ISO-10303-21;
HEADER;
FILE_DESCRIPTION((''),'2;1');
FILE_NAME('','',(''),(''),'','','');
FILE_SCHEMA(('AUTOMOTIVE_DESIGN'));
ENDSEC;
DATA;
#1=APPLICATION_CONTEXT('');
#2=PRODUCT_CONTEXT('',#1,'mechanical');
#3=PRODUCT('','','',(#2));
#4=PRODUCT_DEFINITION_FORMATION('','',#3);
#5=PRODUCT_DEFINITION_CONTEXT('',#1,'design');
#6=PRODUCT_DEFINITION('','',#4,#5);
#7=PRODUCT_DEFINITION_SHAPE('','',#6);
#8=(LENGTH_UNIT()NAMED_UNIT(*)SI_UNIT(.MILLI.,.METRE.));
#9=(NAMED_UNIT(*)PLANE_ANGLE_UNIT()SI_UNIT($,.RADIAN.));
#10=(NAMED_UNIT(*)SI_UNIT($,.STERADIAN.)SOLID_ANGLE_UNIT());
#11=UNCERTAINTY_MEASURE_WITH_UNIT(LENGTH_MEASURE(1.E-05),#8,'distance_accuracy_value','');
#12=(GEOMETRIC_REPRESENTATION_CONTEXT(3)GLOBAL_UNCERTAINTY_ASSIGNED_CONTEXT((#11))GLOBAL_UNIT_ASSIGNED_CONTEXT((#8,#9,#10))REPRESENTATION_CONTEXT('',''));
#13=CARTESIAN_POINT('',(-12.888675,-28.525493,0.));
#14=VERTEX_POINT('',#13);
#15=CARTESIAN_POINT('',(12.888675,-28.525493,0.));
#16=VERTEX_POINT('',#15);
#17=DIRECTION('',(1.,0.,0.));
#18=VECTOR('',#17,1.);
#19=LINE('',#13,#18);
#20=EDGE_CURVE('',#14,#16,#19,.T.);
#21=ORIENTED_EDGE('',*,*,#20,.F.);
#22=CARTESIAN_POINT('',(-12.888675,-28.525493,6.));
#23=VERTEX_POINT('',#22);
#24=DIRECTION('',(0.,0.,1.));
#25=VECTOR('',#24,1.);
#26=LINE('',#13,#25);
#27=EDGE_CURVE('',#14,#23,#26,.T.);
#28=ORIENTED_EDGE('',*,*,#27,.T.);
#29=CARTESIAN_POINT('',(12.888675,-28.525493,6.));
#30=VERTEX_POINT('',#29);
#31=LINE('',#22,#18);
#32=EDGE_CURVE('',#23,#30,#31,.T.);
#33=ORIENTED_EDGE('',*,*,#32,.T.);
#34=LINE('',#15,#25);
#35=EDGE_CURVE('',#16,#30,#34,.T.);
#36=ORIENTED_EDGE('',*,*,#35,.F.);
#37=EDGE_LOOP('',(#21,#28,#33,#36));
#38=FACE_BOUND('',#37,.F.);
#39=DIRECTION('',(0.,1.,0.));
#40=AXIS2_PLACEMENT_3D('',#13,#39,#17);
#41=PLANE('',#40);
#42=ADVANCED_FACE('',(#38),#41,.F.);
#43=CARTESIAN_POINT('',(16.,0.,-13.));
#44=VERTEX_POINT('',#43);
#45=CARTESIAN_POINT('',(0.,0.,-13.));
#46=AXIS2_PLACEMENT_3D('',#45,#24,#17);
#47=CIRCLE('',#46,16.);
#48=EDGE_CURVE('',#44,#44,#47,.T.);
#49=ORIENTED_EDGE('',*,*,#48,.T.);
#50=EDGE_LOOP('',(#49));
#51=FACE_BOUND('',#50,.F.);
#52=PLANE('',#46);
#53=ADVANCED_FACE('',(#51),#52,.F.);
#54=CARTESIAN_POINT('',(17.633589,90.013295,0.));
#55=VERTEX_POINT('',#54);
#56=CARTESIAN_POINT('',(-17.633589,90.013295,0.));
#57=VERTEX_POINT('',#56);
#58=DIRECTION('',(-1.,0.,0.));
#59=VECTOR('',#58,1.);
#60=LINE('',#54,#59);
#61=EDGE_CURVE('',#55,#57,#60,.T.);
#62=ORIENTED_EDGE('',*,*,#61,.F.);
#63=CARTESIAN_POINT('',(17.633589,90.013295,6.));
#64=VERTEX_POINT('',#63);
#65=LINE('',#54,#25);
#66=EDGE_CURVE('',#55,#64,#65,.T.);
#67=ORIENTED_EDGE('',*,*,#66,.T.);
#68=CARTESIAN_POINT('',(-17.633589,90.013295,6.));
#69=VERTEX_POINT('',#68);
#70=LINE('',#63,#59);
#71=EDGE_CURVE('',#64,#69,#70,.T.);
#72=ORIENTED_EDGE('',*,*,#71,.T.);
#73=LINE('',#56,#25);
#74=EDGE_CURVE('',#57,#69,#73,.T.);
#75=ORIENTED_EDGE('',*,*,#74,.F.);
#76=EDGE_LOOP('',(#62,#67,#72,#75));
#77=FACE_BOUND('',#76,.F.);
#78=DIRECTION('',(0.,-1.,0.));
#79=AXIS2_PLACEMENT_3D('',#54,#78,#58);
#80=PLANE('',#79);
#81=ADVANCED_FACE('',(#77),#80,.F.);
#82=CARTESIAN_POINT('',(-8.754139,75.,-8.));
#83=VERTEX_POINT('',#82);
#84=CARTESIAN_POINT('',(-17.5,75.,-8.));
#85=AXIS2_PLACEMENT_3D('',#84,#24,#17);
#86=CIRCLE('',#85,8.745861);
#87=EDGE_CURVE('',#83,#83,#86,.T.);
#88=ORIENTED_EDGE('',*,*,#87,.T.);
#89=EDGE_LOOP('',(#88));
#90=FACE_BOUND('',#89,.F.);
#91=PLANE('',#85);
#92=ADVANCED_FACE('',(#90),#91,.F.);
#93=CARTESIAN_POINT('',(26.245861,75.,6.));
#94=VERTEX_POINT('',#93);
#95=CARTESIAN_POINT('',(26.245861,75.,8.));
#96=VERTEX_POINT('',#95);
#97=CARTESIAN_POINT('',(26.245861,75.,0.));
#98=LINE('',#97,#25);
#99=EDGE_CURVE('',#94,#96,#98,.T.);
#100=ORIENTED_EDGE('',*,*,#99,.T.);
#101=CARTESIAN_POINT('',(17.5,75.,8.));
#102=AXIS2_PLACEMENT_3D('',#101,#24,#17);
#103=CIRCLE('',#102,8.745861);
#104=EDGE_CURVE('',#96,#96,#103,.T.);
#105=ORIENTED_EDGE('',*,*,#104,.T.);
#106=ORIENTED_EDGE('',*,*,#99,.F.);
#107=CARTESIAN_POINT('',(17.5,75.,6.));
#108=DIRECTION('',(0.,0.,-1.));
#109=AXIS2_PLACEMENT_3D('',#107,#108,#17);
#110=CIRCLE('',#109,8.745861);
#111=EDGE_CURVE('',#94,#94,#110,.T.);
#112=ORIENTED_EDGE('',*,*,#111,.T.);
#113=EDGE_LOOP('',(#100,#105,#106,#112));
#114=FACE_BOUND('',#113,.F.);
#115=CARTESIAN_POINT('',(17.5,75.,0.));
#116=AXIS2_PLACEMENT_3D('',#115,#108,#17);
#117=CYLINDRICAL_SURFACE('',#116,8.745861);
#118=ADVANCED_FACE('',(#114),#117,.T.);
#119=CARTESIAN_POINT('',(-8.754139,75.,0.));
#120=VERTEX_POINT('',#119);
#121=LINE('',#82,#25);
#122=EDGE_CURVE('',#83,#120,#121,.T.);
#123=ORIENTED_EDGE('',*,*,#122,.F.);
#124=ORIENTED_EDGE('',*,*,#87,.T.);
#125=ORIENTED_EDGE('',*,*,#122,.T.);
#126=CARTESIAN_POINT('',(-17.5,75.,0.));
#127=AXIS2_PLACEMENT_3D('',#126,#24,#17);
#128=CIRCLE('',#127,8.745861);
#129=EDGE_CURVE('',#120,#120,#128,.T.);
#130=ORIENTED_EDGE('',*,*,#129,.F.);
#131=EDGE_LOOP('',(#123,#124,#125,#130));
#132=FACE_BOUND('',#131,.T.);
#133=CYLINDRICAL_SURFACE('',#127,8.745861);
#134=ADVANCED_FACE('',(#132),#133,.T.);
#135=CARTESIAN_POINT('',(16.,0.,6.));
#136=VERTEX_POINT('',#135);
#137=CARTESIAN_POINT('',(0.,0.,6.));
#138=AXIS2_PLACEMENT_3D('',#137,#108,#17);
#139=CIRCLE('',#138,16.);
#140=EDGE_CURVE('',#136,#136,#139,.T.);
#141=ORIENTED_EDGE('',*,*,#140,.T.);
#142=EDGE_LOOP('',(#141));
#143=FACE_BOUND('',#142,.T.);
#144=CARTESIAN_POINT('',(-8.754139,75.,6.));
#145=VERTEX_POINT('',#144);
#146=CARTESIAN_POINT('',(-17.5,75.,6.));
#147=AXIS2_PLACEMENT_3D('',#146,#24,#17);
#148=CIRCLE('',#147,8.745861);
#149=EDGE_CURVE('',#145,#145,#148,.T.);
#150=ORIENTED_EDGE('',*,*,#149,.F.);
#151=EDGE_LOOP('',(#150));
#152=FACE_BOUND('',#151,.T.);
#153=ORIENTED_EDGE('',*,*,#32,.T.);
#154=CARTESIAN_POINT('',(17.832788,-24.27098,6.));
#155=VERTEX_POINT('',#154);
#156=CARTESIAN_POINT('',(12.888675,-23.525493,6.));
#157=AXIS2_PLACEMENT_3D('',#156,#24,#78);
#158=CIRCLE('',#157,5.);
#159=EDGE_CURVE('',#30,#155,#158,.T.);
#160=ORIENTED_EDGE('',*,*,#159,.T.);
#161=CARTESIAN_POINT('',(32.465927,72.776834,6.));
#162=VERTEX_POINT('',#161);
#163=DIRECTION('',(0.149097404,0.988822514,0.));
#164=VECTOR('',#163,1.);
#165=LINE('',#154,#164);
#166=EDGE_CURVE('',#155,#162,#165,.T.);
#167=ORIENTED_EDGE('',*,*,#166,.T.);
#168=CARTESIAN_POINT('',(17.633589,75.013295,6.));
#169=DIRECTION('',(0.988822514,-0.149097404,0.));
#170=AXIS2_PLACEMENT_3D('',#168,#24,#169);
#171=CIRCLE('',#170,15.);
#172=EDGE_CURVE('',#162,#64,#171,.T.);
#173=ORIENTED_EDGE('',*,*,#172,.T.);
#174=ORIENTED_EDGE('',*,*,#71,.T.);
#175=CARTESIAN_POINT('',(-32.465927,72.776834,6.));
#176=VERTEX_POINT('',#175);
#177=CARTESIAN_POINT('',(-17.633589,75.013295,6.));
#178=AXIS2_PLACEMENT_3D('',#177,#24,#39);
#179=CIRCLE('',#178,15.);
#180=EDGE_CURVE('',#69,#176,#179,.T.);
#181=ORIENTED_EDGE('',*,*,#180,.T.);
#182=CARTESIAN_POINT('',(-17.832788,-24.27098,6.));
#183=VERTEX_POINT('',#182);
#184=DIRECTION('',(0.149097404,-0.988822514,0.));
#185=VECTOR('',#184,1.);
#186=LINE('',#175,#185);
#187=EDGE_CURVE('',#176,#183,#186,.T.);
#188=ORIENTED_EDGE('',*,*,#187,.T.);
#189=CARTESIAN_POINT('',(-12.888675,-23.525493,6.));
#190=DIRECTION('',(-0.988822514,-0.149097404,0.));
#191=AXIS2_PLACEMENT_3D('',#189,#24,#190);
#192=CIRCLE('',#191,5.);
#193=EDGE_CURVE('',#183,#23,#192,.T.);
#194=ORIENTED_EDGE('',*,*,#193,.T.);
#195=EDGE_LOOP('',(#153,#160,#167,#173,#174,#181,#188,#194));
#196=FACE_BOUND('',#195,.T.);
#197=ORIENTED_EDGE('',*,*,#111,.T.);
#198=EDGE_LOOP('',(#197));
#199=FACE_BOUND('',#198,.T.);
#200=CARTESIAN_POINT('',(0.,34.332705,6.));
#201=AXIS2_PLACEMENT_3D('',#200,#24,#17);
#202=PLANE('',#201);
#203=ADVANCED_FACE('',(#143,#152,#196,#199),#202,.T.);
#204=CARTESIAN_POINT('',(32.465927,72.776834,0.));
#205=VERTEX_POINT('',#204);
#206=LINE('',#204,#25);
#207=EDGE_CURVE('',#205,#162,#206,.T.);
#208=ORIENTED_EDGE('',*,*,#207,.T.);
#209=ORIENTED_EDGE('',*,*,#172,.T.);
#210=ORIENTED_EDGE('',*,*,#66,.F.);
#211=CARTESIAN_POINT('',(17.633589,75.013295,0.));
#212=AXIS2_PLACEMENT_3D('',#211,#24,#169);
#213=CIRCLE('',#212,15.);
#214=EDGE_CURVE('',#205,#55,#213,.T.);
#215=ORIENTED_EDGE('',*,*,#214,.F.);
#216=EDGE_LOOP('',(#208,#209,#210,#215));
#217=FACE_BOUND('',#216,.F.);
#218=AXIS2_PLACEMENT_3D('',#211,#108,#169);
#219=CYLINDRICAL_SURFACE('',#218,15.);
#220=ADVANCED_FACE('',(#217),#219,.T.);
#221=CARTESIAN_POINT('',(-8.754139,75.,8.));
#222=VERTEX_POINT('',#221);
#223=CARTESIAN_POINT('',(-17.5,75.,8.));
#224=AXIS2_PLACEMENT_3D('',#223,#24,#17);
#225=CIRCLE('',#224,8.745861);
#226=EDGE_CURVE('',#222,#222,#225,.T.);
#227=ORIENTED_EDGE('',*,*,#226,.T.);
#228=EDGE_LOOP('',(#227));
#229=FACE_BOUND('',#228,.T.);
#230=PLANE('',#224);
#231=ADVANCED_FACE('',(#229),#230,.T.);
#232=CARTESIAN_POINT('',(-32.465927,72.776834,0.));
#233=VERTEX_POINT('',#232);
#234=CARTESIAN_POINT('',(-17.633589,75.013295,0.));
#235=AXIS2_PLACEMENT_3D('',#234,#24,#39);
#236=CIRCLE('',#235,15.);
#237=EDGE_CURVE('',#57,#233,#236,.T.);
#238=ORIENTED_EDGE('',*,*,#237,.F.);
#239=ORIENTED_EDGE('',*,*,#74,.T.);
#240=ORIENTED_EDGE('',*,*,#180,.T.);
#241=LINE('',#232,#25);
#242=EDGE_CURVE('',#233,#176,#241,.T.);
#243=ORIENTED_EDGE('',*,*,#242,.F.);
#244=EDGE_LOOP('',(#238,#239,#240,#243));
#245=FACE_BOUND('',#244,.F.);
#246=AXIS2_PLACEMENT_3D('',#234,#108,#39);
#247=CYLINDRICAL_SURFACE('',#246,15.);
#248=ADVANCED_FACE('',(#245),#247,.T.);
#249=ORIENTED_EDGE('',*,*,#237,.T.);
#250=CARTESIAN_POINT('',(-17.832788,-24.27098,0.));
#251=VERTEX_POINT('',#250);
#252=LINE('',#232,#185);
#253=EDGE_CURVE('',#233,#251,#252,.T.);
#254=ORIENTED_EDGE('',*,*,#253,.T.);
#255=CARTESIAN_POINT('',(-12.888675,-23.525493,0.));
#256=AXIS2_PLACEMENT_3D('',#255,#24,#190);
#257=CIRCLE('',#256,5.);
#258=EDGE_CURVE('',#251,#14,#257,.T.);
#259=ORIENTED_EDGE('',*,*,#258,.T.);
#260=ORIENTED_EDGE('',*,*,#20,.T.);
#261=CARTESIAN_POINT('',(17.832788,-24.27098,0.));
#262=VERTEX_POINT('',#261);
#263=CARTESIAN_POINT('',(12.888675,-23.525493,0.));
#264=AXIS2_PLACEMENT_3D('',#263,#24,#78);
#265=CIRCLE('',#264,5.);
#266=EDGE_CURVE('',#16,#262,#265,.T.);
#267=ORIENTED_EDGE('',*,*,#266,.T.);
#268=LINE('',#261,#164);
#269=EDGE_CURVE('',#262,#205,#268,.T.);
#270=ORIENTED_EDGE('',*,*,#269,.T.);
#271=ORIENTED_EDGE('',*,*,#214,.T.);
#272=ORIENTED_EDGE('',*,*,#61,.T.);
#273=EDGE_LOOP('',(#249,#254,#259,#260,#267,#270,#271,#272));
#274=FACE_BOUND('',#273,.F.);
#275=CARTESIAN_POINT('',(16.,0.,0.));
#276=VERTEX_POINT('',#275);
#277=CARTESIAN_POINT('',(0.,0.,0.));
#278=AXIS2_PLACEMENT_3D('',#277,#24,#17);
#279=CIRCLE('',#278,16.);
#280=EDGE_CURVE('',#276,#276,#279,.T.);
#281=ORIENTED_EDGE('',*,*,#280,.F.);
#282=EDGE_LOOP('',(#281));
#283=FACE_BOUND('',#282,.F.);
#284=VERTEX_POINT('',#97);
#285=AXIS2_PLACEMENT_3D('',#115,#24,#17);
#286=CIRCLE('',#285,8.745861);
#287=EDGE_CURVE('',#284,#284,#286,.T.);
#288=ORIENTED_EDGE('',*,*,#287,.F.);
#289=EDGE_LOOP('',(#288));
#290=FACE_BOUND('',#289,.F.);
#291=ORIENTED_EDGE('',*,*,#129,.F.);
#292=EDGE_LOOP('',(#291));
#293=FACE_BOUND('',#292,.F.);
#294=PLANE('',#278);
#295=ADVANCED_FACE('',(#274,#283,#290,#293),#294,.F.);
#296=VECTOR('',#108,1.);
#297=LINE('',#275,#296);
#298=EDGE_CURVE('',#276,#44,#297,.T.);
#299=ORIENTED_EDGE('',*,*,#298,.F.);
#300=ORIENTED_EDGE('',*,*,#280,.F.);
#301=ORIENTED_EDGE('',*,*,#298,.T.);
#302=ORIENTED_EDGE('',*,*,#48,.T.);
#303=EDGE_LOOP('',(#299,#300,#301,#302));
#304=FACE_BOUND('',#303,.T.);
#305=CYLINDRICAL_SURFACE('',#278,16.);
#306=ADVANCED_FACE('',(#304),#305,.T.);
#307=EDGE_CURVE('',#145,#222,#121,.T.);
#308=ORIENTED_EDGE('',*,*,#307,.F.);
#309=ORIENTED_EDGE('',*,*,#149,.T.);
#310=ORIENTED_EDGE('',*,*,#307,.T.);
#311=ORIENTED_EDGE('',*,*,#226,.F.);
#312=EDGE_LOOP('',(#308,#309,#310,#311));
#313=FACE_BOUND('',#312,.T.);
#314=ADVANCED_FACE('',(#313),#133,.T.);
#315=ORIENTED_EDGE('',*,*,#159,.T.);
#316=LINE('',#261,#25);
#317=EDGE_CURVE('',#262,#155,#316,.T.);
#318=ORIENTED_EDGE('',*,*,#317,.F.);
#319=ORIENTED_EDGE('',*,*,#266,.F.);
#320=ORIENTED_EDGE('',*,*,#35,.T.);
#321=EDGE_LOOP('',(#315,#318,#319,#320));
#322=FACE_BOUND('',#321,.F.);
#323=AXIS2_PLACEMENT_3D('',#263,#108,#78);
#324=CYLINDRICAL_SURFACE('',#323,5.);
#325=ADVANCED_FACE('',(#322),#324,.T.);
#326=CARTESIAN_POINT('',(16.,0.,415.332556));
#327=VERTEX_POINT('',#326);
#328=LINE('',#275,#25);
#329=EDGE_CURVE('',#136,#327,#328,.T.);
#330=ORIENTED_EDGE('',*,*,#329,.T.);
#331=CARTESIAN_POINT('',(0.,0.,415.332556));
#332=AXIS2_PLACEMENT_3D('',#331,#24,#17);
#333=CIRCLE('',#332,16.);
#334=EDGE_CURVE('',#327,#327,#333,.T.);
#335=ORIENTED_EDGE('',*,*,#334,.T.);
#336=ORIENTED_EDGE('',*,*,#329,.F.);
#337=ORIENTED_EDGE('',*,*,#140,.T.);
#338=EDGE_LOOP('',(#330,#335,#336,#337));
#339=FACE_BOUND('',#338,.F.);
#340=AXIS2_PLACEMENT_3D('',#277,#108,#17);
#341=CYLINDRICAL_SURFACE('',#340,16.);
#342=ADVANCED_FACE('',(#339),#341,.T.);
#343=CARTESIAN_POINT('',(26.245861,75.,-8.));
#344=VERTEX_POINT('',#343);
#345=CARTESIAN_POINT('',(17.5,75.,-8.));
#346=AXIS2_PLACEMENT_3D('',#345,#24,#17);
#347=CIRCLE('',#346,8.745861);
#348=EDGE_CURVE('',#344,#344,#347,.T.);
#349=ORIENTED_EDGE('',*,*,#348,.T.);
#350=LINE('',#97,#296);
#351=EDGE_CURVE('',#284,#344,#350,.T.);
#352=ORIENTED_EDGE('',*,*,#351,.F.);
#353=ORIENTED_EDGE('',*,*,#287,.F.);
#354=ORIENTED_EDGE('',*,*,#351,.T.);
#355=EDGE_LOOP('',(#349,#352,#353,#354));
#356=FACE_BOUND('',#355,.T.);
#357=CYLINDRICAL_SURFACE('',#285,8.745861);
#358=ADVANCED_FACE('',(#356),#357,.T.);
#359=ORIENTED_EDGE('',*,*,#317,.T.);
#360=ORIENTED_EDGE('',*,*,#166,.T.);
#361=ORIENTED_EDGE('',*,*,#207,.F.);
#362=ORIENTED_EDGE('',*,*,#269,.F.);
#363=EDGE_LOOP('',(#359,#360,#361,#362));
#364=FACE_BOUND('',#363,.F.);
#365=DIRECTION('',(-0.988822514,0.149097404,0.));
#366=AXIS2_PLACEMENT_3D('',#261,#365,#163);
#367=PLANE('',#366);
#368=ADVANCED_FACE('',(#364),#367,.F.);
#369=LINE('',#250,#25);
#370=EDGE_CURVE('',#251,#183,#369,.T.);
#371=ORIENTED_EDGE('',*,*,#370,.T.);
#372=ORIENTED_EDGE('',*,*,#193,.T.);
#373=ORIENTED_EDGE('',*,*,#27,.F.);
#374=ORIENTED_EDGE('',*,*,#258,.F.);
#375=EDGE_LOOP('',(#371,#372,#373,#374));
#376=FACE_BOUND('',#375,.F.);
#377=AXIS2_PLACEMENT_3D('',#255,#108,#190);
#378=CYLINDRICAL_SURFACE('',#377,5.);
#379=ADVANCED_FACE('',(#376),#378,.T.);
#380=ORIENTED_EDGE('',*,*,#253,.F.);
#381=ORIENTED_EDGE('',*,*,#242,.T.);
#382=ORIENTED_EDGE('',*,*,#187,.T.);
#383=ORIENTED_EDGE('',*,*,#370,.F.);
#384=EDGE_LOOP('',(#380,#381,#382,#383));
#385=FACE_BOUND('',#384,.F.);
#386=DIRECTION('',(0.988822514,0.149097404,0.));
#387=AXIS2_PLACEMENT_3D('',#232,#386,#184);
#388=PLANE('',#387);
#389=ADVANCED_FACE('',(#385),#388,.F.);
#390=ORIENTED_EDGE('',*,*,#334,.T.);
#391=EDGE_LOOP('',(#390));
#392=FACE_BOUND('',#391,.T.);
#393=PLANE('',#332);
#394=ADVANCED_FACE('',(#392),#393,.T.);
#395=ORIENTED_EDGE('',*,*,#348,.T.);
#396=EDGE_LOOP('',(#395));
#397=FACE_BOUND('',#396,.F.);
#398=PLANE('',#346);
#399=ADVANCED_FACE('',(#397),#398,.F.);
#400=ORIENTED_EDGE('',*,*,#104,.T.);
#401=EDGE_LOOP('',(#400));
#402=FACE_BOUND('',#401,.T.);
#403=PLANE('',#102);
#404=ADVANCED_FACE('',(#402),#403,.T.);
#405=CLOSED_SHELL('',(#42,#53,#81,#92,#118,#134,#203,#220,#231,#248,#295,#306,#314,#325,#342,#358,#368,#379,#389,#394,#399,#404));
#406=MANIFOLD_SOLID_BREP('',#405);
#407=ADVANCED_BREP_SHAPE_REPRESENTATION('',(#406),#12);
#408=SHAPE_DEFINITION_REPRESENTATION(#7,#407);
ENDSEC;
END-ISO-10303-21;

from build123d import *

# Parameters (mm, degrees)
F2_DEPTH = 6
F0_R     = 16
F3_DEPTH = 415.3325557709
F0_R_2   = 8.745861022
F4_DEPTH = 8
F5_DEPTH = 13


with BuildPart() as f2:
    # F1 (on Top) → F2 (new body)
    with BuildSketch(Plane.XY):
        with BuildLine():
            Line((-12.8886751705, -28.5254933068), (0, -28.5254933068))
            Line((0, -28.5254933068), (12.8886751705, -28.5254933068))
            ThreePointArc((12.8886751705, -28.5254933068), (16.1500065629, -27.3154428512), (17.8327877404, -24.2709803264))
            Line((17.8327877404, -24.2709803264), (32.4659266708, 72.7768343533))
            ThreePointArc((32.4659266708, 72.7768343533), (29.0034375943, 84.7972895893), (17.6335889612, 90.0132954121))
            Line((17.6335889612, 90.0132954121), (0, 90.0132954121))
            Line((0, 90.0132954121), (-17.6335889612, 90.0132954121))
            ThreePointArc((-17.6335889612, 90.0132954121), (-29.0034375943, 84.7972895893), (-32.4659266708, 72.7768343533))
            Line((-32.4659266708, 72.7768343533), (-17.8327877404, -24.2709803264))
            ThreePointArc((-17.8327877404, -24.2709803264), (-16.1500065629, -27.3154428512), (-12.8886751705, -28.5254933068))
        make_face()
    extrude(amount=F2_DEPTH)

    # F0 (on Top) → F3 (join)
    with BuildSketch(Plane.XY):
        Circle(F0_R)
    extrude(amount=F3_DEPTH)

    # F0 (on Top) → F4 (join, symmetric)
    with BuildSketch(Plane.XY):
        with Locations((17.5, 75)):
            Circle(F0_R_2)
        with Locations((-17.5, 75)):
            Circle(F0_R_2)
    extrude(amount=F4_DEPTH, both=True)

    # F0 (on Top) → F5 (join)
    with BuildSketch(Plane.XY):
        Circle(F0_R)
    extrude(amount=-F5_DEPTH)


solid = f2.part
